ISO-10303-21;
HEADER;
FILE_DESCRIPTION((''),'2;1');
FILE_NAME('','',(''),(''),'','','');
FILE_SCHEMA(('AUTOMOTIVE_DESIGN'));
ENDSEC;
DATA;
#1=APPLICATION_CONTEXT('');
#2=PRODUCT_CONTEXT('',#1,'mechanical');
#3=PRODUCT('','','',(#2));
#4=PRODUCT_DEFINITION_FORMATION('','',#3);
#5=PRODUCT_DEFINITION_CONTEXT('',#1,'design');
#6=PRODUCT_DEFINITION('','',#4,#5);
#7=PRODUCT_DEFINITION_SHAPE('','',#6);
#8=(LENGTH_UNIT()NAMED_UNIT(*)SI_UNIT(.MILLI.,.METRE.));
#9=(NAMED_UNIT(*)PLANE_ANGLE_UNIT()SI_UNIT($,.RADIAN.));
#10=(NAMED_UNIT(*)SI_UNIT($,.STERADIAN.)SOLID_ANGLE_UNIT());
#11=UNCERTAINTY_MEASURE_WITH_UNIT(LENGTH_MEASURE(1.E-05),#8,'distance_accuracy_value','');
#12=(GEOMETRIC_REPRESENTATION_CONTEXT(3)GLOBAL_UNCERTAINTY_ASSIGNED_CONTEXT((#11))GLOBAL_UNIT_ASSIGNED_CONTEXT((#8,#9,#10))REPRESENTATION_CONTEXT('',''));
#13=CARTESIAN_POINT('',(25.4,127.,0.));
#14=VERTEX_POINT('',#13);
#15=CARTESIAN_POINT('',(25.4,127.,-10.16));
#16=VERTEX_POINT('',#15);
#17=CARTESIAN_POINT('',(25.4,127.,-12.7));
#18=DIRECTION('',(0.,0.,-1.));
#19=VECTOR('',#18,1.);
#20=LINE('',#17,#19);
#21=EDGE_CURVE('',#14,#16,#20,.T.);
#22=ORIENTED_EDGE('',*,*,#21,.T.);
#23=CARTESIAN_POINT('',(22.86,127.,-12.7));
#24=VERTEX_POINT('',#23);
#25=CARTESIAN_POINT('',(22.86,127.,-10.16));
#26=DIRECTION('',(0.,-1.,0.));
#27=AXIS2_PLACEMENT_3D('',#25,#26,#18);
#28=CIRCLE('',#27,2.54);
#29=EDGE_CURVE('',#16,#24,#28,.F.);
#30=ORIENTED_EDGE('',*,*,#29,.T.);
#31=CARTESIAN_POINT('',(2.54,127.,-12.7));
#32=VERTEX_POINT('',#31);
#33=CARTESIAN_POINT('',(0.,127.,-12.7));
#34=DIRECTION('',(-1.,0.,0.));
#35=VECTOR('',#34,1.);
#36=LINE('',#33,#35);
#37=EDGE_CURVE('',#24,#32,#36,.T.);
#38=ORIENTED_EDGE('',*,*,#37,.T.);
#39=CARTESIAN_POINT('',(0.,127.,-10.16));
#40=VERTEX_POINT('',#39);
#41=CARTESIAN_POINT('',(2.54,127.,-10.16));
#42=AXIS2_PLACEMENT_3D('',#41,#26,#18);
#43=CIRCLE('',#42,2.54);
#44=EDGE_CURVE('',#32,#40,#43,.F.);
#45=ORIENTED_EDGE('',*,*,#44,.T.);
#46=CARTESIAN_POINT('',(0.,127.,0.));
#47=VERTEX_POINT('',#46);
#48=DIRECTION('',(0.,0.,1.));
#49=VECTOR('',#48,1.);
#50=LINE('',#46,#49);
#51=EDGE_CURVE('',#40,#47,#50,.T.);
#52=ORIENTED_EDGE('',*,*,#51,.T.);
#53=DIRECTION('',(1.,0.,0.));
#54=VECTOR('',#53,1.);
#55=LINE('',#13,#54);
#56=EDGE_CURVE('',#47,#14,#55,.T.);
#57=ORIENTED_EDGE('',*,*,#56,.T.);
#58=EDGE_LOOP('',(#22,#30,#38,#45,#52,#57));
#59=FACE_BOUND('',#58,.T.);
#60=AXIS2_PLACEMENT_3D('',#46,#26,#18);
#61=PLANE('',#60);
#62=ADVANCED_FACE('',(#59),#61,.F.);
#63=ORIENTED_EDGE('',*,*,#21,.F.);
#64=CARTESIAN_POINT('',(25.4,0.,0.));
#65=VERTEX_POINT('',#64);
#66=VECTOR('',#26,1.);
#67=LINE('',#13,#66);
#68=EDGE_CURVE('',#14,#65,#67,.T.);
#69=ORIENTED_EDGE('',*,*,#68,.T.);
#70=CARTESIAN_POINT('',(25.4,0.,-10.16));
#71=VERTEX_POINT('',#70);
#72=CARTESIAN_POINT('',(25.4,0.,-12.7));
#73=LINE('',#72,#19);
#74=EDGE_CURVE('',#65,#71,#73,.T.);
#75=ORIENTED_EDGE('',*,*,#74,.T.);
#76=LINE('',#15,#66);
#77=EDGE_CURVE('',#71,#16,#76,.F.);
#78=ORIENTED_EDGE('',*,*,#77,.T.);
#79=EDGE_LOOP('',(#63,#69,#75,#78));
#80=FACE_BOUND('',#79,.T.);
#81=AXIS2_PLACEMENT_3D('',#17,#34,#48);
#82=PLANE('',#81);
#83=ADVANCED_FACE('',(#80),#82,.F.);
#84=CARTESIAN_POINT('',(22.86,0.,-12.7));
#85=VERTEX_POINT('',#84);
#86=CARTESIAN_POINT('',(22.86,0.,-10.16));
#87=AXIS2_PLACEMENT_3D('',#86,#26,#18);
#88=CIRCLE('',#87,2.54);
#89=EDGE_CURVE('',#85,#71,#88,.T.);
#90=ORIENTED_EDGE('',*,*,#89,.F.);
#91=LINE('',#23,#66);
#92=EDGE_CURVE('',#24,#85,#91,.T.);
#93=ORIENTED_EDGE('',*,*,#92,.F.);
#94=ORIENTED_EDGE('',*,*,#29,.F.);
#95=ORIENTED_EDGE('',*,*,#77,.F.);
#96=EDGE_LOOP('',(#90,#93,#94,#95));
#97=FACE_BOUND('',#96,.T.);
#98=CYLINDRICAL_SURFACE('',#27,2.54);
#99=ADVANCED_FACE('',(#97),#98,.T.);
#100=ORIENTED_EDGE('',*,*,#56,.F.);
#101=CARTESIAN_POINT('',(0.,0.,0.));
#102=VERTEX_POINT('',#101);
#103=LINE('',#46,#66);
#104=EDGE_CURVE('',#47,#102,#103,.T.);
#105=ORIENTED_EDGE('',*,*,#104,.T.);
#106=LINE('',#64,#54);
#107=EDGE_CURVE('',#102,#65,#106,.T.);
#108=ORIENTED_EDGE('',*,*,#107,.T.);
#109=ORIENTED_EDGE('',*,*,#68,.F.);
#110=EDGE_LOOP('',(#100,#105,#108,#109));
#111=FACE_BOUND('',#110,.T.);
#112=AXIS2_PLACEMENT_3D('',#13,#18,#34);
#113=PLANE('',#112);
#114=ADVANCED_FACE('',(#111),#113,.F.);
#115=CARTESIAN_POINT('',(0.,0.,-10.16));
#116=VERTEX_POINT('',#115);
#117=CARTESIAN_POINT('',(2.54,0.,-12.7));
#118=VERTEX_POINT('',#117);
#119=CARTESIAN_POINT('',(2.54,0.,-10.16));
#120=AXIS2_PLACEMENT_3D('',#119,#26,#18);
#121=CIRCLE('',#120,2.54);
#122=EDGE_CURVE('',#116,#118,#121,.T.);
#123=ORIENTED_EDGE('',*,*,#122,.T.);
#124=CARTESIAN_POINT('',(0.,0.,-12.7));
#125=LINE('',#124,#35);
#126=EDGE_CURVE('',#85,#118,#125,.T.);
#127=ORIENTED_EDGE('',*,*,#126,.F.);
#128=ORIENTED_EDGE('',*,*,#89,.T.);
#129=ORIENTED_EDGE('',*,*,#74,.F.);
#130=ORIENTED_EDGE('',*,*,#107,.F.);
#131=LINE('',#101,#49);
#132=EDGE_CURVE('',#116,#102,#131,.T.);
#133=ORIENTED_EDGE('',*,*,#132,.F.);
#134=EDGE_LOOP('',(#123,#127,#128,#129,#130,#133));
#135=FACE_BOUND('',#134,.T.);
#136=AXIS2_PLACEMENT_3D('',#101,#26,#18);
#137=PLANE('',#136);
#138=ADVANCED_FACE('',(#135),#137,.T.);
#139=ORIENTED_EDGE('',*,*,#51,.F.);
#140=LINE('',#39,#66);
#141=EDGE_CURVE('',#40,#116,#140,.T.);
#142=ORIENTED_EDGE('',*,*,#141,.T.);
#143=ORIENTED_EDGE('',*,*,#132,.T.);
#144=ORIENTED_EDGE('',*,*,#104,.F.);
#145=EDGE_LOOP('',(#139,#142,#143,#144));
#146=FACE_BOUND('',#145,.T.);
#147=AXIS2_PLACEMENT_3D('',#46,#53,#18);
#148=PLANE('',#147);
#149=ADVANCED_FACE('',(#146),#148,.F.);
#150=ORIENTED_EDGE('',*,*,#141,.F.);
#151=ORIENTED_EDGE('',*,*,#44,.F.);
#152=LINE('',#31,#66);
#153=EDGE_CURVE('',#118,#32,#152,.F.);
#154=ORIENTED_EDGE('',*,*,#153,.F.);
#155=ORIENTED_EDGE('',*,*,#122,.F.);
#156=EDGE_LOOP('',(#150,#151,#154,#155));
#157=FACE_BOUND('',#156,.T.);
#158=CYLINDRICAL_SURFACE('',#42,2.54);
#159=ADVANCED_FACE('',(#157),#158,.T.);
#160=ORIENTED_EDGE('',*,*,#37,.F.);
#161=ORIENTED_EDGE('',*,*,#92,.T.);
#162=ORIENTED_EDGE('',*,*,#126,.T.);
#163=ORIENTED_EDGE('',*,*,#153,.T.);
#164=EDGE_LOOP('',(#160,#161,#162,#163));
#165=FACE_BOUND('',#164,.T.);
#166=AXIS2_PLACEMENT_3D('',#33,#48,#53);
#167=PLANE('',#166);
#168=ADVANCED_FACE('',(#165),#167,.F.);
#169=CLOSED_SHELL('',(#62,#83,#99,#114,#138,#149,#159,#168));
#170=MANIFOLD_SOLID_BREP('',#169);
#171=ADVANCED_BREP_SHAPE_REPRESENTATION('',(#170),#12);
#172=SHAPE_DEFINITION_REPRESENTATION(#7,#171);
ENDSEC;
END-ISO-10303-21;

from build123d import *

# Parameters (mm, degrees)
SKETCH2_W           = 25.4
SKETCH2_H           = 12.7
BOSS_EXTRUDE2_DEPTH = 127
FILLET1_R           = 2.54


with BuildPart() as part:
    # Sketch2 → Boss-Extrude2 (new body)
    with BuildSketch(Plane(origin=(0, 0, 0), x_dir=(1, 0, 0), z_dir=(0, 1, 0))):
        with Locations((12.7, 6.35)):
            Rectangle(SKETCH2_W, SKETCH2_H)
    extrude(amount=BOSS_EXTRUDE2_DEPTH)

    # Fillet1
    fillet1_edges = [part.edges().sort_by_distance(p)[0] for p in [
        (0, 63.5, -12.7),
        (25.4, 63.5, -12.7),
    ]]
    fillet(fillet1_edges, radius=FILLET1_R)


solid = part.part
